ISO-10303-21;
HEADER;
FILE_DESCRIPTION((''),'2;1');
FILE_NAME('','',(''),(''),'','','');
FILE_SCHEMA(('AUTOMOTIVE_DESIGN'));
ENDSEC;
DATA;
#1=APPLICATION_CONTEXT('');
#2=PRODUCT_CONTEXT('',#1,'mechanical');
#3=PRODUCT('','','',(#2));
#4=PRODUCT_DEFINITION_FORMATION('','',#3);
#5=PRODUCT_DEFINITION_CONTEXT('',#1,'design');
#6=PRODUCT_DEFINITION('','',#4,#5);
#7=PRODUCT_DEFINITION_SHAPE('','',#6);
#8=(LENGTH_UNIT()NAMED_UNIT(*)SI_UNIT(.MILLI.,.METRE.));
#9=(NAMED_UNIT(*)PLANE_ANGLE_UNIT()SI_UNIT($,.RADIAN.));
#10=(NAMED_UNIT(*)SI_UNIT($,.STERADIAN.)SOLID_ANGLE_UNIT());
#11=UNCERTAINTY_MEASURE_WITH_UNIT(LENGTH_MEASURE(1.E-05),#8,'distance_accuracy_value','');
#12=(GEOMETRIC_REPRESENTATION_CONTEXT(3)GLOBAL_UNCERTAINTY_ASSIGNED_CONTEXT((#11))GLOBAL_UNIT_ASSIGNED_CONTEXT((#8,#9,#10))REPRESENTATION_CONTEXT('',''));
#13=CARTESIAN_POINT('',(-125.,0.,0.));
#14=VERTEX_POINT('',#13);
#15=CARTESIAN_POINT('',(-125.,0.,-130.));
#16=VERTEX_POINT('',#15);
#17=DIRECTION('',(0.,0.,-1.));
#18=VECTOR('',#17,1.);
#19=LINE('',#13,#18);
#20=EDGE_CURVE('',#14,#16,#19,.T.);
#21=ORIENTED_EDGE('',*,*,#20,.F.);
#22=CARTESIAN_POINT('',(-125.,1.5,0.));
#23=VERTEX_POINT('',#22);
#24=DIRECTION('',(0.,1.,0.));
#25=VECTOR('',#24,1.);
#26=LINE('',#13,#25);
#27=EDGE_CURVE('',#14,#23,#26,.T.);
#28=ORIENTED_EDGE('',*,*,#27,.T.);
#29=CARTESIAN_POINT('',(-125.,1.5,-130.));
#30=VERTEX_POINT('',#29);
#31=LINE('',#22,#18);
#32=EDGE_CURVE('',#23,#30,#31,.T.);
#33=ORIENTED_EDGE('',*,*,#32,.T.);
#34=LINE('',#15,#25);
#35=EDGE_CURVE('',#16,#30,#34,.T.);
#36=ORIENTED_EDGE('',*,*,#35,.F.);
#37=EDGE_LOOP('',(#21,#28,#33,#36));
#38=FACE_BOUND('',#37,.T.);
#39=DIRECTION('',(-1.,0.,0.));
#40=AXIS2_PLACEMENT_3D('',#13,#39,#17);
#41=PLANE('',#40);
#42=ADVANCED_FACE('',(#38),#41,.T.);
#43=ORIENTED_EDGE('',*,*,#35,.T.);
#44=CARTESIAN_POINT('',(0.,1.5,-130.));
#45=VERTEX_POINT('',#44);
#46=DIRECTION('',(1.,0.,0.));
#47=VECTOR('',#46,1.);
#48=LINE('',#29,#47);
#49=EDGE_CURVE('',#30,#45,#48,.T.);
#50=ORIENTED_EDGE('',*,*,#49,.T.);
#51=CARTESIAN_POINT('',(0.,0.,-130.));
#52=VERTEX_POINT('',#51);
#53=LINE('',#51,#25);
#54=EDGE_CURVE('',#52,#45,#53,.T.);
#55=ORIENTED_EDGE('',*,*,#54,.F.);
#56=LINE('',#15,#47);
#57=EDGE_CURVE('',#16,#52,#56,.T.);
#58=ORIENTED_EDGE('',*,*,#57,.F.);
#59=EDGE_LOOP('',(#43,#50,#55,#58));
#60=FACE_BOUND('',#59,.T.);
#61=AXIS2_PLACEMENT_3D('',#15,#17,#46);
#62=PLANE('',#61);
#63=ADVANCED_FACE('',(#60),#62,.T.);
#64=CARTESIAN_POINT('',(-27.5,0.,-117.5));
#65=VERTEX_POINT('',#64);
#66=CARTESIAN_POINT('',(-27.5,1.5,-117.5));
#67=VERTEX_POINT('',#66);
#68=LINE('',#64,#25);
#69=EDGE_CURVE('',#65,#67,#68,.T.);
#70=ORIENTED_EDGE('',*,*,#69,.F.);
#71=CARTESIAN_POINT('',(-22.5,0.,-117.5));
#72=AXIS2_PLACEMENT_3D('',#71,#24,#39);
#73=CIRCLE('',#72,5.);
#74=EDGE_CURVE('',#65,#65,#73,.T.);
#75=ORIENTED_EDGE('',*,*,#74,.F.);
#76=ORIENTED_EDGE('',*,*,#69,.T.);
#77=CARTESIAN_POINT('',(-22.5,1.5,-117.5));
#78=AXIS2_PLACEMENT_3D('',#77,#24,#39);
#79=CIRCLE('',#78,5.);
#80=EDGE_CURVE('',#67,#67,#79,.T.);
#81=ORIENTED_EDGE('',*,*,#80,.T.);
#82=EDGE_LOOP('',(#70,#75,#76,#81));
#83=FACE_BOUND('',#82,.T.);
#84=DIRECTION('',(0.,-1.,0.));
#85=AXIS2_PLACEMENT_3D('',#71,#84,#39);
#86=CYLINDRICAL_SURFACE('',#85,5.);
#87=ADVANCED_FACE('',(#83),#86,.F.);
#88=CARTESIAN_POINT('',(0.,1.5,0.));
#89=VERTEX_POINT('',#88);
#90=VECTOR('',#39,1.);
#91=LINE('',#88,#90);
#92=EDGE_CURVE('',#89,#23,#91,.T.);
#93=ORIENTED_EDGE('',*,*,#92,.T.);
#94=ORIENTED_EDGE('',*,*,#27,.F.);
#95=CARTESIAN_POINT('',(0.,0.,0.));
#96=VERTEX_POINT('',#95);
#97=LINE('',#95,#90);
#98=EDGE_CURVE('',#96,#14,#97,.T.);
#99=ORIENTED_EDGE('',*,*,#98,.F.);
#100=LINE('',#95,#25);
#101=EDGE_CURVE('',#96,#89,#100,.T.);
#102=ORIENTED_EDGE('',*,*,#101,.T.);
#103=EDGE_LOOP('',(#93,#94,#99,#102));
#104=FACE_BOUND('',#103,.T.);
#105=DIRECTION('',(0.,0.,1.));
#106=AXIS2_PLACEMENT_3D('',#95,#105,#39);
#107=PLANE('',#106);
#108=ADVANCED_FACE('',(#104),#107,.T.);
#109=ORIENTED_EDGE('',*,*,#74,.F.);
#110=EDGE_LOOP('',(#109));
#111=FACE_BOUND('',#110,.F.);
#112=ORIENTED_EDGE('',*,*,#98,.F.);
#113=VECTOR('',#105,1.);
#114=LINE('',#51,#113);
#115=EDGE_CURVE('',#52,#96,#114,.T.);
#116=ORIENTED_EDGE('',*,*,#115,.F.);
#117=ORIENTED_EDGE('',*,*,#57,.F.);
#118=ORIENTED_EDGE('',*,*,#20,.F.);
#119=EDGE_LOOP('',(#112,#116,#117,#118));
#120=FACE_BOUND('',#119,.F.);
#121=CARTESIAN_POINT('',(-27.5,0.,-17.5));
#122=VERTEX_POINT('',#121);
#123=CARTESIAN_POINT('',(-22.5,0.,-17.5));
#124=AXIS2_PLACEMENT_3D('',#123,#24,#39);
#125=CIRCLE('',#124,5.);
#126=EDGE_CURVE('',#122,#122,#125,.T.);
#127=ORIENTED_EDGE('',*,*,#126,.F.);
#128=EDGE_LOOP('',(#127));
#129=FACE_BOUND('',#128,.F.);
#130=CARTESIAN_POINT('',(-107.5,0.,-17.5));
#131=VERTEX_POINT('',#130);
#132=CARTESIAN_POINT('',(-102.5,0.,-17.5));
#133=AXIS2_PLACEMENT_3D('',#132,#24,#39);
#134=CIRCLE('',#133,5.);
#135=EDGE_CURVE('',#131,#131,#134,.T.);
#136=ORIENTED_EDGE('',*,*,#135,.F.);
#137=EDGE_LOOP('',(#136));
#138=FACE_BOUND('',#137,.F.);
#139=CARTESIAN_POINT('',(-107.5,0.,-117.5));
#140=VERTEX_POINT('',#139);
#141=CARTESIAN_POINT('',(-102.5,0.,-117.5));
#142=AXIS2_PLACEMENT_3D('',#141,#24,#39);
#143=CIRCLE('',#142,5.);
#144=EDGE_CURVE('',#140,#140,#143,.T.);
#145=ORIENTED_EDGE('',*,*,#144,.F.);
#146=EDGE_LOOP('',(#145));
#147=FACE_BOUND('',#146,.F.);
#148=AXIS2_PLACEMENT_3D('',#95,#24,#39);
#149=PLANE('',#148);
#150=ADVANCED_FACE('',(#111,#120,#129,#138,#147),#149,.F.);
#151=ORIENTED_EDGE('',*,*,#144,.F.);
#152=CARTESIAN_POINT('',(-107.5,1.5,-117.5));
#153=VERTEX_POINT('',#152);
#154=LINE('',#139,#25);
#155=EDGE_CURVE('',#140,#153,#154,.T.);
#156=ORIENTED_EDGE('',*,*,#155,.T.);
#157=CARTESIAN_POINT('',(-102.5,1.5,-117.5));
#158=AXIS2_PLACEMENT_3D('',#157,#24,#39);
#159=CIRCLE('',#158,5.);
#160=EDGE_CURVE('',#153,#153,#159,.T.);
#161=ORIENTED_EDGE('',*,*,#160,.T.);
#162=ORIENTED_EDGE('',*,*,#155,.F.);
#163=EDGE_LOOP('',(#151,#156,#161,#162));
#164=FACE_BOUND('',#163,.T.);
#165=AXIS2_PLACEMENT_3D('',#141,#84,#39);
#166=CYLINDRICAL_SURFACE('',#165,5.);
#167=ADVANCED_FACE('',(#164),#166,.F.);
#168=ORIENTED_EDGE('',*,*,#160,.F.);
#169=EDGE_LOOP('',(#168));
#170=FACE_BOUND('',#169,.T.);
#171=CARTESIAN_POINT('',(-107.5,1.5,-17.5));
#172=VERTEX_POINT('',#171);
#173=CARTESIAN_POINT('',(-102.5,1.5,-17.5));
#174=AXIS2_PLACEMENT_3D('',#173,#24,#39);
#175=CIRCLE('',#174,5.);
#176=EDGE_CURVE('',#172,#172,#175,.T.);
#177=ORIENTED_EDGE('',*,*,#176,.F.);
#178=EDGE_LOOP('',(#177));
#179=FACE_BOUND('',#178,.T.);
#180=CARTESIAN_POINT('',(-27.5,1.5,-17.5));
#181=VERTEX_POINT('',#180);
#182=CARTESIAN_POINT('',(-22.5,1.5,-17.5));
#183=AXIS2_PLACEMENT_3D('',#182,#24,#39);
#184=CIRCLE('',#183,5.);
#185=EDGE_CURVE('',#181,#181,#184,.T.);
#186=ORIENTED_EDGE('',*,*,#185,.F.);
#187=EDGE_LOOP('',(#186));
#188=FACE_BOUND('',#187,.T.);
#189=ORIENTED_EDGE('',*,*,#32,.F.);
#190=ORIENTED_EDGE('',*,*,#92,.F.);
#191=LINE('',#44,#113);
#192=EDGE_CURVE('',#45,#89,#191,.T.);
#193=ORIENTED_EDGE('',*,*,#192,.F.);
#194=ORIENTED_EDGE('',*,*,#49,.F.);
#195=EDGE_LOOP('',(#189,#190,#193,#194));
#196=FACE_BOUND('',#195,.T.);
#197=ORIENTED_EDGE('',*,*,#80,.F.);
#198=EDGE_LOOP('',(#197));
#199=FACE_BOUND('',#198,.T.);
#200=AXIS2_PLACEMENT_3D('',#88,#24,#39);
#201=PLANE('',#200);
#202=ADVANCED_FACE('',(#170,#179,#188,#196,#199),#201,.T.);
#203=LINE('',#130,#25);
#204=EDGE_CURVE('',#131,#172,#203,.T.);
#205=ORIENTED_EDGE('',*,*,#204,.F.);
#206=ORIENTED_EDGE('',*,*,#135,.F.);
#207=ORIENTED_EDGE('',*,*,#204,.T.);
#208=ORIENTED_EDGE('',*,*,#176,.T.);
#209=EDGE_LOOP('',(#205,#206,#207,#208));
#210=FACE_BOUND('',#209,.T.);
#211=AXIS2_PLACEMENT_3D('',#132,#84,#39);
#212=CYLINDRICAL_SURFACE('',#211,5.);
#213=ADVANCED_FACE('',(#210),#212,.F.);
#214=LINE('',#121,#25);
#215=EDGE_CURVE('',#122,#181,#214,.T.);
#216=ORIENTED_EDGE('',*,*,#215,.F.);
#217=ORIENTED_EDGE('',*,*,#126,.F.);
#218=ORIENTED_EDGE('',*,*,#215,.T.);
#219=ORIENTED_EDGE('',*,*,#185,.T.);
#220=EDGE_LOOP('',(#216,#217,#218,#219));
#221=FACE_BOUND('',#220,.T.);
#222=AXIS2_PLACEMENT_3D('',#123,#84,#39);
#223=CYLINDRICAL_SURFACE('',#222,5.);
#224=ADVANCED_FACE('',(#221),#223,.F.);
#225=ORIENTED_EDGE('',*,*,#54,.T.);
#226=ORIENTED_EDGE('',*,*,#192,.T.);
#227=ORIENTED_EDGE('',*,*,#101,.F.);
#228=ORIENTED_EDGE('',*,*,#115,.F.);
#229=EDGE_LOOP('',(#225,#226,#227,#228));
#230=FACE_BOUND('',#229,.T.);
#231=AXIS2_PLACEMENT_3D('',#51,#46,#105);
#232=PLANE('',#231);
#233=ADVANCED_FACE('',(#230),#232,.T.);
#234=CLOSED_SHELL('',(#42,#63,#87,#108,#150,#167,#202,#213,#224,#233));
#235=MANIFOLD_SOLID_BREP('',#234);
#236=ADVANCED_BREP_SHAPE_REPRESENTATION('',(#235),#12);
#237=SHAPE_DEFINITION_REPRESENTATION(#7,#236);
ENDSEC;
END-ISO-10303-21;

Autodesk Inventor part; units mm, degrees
ref_plane "YZ Plane" through (0, 0, 0) normal (1, 0, 0) x (0, 1, 0)
ref_plane "XZ Plane" through (0, 0, 0) normal (0, 1, 0) x (-1, 0, 0)
ref_plane "XY Plane" through (0, 0, 0) normal (0, 0, 1) x (1, 0, 0)
sketch "Sketch1" plane through (0, 0, 0) normal (0, 1, 0) x (-1, 0, 0)
  line L0 (0, 0) -> (125, 0)
  line L1 (125, 0) -> (125, -130)
  line L2 (125, -130) -> (0, -130)
  line L3 (0, -130) -> (0, 0)
  circle A0 centre (102.5, -17.5) radius 5
  circle A1 centre (102.5, -117.5) radius 5
  circle A2 centre (22.5, -17.5) radius 5
  circle A3 centre (22.5, -117.5) radius 5
  dimension "d0" = 130
  dimension "d1" = 125
  dimension "d2" = 10
  dimension "d3" = 10
  dimension "d4" = 100
  dimension "d5" = 10
  dimension "d6" = 10
  dimension "d7" = 100
  dimension "d8" = 80
  dimension "d9" = 80
  dimension "d10" = 17.5
  dimension "d11" = 22.5
  dimension "d12" = 17.5
  dimension "d13" = 22.5
extrude "Extrusion1" add sketch "Sketch1" along normal blind 1.5
properties part number "plade_til_beslag"
